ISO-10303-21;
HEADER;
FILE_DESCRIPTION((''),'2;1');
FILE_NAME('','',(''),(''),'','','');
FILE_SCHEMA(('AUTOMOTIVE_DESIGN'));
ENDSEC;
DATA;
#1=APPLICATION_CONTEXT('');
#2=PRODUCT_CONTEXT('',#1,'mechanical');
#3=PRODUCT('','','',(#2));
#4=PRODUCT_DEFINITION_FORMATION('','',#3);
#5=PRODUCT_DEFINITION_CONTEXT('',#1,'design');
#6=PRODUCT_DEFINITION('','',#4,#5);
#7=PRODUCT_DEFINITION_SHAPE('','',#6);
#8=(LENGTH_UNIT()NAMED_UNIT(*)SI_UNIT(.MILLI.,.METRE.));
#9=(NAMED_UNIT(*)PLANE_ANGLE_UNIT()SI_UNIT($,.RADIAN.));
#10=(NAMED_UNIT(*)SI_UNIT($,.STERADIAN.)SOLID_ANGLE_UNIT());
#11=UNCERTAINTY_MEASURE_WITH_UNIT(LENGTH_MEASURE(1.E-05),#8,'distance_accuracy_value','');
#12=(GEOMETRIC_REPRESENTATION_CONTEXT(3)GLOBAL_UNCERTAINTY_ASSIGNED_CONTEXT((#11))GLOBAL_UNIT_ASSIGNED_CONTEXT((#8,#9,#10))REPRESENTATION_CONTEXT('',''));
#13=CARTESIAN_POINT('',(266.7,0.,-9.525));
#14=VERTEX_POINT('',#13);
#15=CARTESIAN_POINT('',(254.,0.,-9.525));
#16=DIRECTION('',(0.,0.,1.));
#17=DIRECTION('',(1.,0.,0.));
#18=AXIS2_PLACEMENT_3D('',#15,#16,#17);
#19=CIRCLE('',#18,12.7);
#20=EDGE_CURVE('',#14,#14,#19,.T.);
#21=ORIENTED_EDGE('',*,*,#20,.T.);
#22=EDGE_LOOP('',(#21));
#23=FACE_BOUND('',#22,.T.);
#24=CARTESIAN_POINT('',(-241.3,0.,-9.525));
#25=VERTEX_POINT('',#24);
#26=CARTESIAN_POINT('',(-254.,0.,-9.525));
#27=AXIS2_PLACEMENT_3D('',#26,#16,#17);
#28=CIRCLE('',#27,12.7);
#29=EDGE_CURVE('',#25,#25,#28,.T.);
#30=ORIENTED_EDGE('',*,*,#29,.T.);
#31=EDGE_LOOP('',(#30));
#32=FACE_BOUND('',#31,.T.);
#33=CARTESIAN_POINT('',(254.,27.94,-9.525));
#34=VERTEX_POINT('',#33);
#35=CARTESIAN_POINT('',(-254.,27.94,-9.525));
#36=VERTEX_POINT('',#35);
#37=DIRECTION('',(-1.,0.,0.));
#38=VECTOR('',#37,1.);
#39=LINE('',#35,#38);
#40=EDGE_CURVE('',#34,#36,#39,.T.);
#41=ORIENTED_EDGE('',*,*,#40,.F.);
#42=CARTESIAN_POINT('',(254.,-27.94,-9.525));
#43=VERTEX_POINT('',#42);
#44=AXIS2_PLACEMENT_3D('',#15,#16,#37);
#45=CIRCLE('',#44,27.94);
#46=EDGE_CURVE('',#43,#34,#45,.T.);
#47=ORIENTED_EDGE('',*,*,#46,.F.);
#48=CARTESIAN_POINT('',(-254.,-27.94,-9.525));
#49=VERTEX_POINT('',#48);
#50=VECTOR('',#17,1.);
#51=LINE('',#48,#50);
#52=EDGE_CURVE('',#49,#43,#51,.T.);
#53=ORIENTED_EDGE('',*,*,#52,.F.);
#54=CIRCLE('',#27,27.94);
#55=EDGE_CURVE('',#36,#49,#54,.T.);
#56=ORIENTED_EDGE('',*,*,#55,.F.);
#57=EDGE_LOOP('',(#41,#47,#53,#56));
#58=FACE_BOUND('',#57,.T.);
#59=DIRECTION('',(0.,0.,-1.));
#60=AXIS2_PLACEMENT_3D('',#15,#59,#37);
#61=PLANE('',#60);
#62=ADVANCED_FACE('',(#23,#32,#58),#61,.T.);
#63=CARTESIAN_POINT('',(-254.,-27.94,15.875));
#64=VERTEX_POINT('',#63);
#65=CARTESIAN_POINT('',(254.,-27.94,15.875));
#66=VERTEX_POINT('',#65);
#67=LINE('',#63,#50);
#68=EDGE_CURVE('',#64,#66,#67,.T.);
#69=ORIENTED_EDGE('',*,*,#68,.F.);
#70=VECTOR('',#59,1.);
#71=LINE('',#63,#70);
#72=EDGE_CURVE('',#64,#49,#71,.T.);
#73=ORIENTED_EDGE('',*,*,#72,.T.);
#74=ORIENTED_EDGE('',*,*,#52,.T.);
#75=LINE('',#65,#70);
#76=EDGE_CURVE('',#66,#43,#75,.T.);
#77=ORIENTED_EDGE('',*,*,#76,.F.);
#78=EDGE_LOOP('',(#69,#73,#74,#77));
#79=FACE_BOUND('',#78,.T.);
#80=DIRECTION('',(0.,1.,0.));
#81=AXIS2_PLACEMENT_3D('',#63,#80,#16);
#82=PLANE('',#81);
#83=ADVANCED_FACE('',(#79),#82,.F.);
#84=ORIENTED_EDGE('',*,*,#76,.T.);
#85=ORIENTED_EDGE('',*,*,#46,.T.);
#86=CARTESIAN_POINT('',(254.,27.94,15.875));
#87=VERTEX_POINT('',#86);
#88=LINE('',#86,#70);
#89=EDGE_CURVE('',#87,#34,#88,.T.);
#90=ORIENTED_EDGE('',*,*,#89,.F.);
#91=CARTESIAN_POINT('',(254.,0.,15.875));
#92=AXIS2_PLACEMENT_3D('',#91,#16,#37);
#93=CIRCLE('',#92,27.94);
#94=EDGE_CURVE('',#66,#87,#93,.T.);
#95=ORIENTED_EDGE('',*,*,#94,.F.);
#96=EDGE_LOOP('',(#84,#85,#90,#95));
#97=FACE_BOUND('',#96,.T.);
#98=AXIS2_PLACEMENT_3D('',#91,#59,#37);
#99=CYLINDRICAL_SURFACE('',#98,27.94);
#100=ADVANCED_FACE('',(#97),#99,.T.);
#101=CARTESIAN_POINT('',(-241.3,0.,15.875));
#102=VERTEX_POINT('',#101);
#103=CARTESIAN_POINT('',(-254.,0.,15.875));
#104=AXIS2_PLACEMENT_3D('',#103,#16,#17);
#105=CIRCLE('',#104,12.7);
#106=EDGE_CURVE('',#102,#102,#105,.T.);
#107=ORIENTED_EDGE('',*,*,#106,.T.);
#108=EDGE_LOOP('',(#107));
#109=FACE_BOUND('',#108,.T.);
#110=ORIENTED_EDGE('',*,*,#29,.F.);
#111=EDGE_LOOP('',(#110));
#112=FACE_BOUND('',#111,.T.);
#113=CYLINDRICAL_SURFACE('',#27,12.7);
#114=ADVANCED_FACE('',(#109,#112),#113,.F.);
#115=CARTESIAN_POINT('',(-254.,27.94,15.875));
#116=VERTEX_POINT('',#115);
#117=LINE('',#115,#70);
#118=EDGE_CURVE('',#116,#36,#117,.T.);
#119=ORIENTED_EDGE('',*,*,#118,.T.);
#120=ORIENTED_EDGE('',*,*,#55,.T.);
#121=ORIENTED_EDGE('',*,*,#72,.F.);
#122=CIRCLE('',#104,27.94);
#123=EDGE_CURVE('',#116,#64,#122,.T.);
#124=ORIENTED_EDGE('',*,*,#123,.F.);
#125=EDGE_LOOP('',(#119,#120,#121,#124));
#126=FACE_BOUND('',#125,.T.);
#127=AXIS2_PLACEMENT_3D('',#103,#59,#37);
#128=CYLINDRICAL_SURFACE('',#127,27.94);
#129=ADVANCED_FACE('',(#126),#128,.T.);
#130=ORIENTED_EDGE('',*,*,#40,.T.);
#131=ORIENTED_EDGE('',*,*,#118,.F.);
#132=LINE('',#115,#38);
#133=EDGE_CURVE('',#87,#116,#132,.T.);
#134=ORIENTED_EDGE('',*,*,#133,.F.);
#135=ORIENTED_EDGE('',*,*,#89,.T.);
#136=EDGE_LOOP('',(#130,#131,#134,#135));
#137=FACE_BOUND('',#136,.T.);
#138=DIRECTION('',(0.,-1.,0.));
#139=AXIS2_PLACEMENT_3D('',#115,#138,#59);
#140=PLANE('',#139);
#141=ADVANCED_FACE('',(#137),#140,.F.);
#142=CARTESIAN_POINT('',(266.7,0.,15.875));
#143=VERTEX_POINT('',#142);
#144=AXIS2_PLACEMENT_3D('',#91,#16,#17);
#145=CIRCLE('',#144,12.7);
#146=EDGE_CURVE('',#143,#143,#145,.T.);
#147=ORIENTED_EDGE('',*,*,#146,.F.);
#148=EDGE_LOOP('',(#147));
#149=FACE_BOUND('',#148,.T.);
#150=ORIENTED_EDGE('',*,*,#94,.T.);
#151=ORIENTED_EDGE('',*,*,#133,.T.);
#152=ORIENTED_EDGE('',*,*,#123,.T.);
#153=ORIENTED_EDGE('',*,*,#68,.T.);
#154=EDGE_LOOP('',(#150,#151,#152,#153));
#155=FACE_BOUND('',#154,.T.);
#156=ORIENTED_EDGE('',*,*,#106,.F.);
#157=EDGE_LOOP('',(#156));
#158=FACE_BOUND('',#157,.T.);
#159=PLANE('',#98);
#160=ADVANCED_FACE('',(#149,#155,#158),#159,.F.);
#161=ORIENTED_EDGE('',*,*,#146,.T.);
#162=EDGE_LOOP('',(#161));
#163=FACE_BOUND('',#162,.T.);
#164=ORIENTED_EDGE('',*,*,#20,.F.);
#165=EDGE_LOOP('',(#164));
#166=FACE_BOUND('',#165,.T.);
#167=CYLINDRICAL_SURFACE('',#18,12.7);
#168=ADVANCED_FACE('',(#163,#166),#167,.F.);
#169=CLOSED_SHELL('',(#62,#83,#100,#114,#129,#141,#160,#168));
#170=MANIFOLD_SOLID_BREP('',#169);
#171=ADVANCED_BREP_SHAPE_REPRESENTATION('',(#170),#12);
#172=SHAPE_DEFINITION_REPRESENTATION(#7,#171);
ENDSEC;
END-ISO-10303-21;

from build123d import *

# Parameters (mm, degrees)
BOSS_EXTRUDE1_DEPTH     = 6.35
CUT_EXTRUDE1_DEPTH      = 72.114330131
CUT_EXTRUDE1_DEPTH_BACK = 72.114330131
SKETCH2_R               = 3.175
SCALE1_SCALE            = 4


with BuildPart() as part:
    # Sketch1 → Boss-Extrude1 (new body)
    with BuildSketch(Plane.XY):
        with BuildLine():
            Line((-63.5, 6.985), (63.5, 6.985))
            ThreePointArc((63.5, 6.985), (70.485, 0), (63.5, -6.985))
            Line((63.5, -6.985), (-63.5, -6.985))
            ThreePointArc((-63.5, -6.985), (-70.485, 0), (-63.5, 6.985))
        make_face()
    extrude(amount=BOSS_EXTRUDE1_DEPTH)

    # Sketch2 → Cut-Extrude1 (cut, two sides: drawn at the far end of the back side and taken through both)
    with BuildSketch(Plane.XY.offset(6.35).offset(-CUT_EXTRUDE1_DEPTH_BACK)):
        with Locations((63.5, 0)):
            Circle(SKETCH2_R)
        with Locations((-63.5, 0)):
            Circle(SKETCH2_R)
    extrude(amount=CUT_EXTRUDE1_DEPTH + CUT_EXTRUDE1_DEPTH_BACK, mode=Mode.SUBTRACT)


with BuildPart() as part_1:
    # Scale1: scaled about (0, 0, 3.175)
    add(part.part.scale(SCALE1_SCALE).moved(Location((0, 0, -9.525))))


solid = part_1.part
